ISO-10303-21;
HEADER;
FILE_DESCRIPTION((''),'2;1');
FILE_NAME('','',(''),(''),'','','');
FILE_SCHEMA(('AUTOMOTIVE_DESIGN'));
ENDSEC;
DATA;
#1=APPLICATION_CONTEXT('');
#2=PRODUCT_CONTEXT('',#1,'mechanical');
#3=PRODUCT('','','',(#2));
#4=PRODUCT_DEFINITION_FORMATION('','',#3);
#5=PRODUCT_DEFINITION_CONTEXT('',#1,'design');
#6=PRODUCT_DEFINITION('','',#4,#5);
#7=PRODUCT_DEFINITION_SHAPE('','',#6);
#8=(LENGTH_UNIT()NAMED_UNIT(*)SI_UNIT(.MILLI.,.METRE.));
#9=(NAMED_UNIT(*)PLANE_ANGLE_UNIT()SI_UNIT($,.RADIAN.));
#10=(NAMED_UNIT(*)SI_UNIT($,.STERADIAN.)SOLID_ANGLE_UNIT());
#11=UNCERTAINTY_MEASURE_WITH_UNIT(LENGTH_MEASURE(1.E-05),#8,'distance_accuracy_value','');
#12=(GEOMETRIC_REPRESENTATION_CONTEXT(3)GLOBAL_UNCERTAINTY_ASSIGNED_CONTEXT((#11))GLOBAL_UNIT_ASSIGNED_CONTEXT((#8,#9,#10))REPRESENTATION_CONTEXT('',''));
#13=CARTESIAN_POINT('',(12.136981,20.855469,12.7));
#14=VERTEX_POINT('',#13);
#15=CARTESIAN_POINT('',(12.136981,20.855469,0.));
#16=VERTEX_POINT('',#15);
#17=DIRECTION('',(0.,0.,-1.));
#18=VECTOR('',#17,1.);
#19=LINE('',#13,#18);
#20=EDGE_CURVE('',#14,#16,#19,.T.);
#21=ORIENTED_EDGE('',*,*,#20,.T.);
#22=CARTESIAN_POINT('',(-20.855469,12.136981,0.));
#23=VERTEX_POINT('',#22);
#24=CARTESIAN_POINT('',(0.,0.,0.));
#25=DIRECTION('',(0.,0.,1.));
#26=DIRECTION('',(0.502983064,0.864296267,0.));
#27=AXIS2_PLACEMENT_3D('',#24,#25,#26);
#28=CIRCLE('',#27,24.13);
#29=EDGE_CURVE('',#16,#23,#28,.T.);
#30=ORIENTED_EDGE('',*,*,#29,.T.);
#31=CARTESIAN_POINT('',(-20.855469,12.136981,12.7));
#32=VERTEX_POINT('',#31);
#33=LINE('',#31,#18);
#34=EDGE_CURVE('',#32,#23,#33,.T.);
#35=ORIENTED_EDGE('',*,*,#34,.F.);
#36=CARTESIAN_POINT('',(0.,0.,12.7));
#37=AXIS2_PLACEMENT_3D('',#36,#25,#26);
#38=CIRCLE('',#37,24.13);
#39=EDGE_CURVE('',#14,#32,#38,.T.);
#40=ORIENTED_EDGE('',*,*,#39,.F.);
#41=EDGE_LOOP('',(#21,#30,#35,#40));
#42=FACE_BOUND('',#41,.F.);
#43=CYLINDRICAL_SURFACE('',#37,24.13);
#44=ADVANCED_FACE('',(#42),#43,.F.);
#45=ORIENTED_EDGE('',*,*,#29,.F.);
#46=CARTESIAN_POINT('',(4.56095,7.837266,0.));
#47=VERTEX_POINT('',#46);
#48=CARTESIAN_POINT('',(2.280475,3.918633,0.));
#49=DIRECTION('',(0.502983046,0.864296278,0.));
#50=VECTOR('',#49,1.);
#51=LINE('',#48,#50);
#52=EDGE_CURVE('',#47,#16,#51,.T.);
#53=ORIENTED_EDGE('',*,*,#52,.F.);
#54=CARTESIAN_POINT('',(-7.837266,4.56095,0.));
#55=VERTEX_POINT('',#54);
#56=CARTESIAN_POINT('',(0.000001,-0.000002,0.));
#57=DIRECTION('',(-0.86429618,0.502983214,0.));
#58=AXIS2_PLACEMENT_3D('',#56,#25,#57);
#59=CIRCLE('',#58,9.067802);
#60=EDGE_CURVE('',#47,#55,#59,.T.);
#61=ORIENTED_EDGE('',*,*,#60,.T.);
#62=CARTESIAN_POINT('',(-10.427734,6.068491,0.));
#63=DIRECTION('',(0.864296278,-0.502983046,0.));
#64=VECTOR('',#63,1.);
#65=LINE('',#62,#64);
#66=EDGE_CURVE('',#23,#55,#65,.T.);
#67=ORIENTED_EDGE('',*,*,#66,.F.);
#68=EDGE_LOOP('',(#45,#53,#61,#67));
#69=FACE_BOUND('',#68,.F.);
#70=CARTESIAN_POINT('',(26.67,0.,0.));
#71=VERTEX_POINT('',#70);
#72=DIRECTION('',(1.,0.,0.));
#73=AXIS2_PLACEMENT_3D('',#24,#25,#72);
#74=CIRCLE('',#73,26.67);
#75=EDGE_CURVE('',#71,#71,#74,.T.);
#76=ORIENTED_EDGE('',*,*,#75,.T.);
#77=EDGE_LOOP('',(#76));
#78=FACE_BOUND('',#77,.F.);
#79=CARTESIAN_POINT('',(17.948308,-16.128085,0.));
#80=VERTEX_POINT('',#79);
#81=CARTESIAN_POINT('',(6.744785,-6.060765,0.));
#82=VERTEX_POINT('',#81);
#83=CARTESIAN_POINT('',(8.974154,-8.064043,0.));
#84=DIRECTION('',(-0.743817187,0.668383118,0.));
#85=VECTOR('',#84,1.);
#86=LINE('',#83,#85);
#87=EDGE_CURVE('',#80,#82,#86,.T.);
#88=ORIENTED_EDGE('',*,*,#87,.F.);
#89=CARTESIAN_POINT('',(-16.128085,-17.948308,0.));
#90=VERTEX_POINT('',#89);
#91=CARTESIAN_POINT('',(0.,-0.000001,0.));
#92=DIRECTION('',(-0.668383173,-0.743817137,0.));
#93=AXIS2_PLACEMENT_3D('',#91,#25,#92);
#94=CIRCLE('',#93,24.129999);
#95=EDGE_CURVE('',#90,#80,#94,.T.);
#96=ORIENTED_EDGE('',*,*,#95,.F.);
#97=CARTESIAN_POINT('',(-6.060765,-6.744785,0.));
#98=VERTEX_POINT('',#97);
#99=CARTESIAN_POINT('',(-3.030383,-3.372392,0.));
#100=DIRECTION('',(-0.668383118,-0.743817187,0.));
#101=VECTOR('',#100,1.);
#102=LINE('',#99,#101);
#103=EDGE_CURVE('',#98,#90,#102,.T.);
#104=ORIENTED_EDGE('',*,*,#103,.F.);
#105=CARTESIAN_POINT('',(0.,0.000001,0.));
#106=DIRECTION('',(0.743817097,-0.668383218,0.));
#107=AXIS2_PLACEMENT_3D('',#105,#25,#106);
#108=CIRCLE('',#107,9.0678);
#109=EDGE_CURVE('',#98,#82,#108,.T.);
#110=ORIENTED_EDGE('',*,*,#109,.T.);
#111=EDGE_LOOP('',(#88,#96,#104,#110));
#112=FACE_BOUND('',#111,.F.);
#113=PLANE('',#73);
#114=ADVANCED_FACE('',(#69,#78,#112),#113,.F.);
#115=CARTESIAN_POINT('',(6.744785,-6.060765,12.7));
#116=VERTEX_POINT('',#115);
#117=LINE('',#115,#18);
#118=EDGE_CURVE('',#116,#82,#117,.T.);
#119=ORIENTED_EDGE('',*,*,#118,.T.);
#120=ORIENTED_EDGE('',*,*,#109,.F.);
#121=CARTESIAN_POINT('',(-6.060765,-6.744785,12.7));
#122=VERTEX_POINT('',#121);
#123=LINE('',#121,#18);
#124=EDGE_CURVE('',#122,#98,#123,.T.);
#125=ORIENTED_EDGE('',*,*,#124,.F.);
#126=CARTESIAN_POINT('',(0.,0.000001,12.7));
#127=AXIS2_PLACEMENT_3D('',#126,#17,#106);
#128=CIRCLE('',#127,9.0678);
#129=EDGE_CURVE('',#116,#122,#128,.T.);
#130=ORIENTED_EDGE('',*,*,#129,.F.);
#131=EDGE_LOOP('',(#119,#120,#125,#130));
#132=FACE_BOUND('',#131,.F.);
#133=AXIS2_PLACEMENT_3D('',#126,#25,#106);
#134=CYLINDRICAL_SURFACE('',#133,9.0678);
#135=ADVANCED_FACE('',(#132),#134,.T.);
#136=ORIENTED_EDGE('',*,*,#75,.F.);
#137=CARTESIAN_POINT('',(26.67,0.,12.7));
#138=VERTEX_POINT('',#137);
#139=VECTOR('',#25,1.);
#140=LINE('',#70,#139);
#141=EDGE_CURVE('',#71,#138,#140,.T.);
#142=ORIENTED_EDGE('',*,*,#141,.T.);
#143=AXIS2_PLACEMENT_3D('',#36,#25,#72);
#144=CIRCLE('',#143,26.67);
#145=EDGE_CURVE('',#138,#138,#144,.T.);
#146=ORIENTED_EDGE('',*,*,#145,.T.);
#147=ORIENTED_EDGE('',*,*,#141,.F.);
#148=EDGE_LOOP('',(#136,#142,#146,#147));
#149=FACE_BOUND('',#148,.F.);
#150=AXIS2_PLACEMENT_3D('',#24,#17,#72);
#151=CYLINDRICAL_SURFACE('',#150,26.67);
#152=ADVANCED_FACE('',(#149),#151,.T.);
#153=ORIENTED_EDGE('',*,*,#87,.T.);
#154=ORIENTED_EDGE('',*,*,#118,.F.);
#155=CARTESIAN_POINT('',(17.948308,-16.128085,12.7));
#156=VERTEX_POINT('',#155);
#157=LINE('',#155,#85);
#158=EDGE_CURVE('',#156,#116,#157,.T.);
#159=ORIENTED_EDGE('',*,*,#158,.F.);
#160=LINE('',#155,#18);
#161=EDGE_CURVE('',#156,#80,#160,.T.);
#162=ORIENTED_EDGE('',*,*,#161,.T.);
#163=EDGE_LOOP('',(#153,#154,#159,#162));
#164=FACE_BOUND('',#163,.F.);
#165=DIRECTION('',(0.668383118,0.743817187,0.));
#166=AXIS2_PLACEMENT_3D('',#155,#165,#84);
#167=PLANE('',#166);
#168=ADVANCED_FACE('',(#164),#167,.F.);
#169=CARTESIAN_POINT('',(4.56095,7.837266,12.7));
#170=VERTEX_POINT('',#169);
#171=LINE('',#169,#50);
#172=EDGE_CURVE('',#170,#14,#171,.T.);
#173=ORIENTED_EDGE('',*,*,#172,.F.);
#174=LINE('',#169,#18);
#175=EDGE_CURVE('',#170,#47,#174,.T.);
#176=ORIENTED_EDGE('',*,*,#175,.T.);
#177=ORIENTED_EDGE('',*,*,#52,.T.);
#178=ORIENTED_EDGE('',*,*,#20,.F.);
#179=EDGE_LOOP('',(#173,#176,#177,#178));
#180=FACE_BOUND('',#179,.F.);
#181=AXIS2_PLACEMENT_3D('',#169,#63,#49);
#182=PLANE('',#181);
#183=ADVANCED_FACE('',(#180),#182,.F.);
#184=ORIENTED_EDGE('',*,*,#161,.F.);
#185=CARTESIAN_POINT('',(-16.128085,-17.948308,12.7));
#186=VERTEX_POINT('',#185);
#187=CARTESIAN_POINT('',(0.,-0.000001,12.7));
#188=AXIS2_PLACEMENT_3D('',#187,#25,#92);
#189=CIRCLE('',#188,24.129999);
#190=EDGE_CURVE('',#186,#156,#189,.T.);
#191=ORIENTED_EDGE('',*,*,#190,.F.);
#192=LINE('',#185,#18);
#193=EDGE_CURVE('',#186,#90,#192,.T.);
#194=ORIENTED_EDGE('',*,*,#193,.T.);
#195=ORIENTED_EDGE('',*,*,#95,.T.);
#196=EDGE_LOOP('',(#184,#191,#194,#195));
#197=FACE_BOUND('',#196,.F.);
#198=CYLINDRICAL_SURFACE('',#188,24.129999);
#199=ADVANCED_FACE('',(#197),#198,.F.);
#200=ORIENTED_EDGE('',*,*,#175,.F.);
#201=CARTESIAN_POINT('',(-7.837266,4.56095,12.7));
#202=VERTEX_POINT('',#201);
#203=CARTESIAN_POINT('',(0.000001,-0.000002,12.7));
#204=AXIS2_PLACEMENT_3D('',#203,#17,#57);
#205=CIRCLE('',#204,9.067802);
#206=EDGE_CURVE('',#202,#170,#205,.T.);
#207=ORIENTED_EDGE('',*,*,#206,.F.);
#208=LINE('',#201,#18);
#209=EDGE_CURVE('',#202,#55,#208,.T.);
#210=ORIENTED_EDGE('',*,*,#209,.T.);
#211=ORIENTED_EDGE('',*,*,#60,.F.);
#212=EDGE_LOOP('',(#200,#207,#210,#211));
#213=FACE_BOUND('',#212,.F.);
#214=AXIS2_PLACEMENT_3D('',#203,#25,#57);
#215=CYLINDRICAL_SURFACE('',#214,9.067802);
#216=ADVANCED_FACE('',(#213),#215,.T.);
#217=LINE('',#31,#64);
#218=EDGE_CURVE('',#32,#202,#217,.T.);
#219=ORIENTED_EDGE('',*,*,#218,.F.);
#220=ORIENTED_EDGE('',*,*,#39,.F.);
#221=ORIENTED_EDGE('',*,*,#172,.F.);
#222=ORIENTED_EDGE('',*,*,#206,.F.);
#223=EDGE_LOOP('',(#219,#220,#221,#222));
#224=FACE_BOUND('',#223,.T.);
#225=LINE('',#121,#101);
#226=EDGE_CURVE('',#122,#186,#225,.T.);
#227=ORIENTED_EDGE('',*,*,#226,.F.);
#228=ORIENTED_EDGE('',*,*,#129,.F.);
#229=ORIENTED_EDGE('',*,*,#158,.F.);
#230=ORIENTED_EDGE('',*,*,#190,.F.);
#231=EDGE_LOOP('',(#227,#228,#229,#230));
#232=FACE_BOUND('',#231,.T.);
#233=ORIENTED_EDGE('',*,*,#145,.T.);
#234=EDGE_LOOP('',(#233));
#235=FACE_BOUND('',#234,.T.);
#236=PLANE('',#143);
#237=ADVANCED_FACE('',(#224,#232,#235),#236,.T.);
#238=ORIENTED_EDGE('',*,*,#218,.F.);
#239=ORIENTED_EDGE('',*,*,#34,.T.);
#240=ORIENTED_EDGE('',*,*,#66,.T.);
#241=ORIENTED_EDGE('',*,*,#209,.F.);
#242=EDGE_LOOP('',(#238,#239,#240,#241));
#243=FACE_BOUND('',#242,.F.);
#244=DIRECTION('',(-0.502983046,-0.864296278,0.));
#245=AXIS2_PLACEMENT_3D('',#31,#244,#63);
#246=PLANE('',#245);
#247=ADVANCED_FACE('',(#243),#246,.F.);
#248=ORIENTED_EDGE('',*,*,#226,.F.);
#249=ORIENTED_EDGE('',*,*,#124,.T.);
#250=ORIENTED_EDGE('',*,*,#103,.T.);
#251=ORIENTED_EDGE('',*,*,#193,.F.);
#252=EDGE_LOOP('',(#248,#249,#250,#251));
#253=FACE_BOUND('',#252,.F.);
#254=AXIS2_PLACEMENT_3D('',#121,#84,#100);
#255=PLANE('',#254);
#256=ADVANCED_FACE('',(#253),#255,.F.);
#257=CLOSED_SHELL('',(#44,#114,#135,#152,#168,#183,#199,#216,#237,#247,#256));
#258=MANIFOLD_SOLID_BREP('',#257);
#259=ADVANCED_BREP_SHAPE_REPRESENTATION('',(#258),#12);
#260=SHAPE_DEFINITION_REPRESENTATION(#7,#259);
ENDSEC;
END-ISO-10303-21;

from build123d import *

# Parameters (mm, degrees)
F0_R     = 26.67
F1_DEPTH = 12.7
F3_DEPTH = 101.6


with BuildPart() as f1:
    # F0 (on Top) → F1 (new body)
    with BuildSketch(Plane.XY):
        Circle(F0_R)
    extrude(amount=F1_DEPTH)

    # F2 (on face) → F3 (cut)
    with BuildSketch(Plane.XY.offset(12.7)):
        with BuildLine():
            ThreePointArc((-16.128085, -17.948308), (1.287092, -24.095649), (17.948308, -16.128085))
            Line((17.948308, -16.128085), (6.744785, -6.060765))
            ThreePointArc((6.744785, -6.060765), (0.483676, -9.054891), (-6.060765, -6.744785))
            Line((-6.060765, -6.744785), (-16.128085, -17.948308))
        make_face()
        with BuildLine():
            Line((4.56095, 7.837266), (12.136981, 20.855469))
            ThreePointArc((12.136981, 20.855469), (-6.164903, 23.329185), (-20.855469, 12.136981))
            Line((-20.855469, 12.136981), (-7.837266, 4.56095))
            ThreePointArc((-7.837266, 4.56095), (-2.316705, 8.766862), (4.56095, 7.837266))
        make_face()
    extrude(amount=-F3_DEPTH, mode=Mode.SUBTRACT)


solid = f1.part
